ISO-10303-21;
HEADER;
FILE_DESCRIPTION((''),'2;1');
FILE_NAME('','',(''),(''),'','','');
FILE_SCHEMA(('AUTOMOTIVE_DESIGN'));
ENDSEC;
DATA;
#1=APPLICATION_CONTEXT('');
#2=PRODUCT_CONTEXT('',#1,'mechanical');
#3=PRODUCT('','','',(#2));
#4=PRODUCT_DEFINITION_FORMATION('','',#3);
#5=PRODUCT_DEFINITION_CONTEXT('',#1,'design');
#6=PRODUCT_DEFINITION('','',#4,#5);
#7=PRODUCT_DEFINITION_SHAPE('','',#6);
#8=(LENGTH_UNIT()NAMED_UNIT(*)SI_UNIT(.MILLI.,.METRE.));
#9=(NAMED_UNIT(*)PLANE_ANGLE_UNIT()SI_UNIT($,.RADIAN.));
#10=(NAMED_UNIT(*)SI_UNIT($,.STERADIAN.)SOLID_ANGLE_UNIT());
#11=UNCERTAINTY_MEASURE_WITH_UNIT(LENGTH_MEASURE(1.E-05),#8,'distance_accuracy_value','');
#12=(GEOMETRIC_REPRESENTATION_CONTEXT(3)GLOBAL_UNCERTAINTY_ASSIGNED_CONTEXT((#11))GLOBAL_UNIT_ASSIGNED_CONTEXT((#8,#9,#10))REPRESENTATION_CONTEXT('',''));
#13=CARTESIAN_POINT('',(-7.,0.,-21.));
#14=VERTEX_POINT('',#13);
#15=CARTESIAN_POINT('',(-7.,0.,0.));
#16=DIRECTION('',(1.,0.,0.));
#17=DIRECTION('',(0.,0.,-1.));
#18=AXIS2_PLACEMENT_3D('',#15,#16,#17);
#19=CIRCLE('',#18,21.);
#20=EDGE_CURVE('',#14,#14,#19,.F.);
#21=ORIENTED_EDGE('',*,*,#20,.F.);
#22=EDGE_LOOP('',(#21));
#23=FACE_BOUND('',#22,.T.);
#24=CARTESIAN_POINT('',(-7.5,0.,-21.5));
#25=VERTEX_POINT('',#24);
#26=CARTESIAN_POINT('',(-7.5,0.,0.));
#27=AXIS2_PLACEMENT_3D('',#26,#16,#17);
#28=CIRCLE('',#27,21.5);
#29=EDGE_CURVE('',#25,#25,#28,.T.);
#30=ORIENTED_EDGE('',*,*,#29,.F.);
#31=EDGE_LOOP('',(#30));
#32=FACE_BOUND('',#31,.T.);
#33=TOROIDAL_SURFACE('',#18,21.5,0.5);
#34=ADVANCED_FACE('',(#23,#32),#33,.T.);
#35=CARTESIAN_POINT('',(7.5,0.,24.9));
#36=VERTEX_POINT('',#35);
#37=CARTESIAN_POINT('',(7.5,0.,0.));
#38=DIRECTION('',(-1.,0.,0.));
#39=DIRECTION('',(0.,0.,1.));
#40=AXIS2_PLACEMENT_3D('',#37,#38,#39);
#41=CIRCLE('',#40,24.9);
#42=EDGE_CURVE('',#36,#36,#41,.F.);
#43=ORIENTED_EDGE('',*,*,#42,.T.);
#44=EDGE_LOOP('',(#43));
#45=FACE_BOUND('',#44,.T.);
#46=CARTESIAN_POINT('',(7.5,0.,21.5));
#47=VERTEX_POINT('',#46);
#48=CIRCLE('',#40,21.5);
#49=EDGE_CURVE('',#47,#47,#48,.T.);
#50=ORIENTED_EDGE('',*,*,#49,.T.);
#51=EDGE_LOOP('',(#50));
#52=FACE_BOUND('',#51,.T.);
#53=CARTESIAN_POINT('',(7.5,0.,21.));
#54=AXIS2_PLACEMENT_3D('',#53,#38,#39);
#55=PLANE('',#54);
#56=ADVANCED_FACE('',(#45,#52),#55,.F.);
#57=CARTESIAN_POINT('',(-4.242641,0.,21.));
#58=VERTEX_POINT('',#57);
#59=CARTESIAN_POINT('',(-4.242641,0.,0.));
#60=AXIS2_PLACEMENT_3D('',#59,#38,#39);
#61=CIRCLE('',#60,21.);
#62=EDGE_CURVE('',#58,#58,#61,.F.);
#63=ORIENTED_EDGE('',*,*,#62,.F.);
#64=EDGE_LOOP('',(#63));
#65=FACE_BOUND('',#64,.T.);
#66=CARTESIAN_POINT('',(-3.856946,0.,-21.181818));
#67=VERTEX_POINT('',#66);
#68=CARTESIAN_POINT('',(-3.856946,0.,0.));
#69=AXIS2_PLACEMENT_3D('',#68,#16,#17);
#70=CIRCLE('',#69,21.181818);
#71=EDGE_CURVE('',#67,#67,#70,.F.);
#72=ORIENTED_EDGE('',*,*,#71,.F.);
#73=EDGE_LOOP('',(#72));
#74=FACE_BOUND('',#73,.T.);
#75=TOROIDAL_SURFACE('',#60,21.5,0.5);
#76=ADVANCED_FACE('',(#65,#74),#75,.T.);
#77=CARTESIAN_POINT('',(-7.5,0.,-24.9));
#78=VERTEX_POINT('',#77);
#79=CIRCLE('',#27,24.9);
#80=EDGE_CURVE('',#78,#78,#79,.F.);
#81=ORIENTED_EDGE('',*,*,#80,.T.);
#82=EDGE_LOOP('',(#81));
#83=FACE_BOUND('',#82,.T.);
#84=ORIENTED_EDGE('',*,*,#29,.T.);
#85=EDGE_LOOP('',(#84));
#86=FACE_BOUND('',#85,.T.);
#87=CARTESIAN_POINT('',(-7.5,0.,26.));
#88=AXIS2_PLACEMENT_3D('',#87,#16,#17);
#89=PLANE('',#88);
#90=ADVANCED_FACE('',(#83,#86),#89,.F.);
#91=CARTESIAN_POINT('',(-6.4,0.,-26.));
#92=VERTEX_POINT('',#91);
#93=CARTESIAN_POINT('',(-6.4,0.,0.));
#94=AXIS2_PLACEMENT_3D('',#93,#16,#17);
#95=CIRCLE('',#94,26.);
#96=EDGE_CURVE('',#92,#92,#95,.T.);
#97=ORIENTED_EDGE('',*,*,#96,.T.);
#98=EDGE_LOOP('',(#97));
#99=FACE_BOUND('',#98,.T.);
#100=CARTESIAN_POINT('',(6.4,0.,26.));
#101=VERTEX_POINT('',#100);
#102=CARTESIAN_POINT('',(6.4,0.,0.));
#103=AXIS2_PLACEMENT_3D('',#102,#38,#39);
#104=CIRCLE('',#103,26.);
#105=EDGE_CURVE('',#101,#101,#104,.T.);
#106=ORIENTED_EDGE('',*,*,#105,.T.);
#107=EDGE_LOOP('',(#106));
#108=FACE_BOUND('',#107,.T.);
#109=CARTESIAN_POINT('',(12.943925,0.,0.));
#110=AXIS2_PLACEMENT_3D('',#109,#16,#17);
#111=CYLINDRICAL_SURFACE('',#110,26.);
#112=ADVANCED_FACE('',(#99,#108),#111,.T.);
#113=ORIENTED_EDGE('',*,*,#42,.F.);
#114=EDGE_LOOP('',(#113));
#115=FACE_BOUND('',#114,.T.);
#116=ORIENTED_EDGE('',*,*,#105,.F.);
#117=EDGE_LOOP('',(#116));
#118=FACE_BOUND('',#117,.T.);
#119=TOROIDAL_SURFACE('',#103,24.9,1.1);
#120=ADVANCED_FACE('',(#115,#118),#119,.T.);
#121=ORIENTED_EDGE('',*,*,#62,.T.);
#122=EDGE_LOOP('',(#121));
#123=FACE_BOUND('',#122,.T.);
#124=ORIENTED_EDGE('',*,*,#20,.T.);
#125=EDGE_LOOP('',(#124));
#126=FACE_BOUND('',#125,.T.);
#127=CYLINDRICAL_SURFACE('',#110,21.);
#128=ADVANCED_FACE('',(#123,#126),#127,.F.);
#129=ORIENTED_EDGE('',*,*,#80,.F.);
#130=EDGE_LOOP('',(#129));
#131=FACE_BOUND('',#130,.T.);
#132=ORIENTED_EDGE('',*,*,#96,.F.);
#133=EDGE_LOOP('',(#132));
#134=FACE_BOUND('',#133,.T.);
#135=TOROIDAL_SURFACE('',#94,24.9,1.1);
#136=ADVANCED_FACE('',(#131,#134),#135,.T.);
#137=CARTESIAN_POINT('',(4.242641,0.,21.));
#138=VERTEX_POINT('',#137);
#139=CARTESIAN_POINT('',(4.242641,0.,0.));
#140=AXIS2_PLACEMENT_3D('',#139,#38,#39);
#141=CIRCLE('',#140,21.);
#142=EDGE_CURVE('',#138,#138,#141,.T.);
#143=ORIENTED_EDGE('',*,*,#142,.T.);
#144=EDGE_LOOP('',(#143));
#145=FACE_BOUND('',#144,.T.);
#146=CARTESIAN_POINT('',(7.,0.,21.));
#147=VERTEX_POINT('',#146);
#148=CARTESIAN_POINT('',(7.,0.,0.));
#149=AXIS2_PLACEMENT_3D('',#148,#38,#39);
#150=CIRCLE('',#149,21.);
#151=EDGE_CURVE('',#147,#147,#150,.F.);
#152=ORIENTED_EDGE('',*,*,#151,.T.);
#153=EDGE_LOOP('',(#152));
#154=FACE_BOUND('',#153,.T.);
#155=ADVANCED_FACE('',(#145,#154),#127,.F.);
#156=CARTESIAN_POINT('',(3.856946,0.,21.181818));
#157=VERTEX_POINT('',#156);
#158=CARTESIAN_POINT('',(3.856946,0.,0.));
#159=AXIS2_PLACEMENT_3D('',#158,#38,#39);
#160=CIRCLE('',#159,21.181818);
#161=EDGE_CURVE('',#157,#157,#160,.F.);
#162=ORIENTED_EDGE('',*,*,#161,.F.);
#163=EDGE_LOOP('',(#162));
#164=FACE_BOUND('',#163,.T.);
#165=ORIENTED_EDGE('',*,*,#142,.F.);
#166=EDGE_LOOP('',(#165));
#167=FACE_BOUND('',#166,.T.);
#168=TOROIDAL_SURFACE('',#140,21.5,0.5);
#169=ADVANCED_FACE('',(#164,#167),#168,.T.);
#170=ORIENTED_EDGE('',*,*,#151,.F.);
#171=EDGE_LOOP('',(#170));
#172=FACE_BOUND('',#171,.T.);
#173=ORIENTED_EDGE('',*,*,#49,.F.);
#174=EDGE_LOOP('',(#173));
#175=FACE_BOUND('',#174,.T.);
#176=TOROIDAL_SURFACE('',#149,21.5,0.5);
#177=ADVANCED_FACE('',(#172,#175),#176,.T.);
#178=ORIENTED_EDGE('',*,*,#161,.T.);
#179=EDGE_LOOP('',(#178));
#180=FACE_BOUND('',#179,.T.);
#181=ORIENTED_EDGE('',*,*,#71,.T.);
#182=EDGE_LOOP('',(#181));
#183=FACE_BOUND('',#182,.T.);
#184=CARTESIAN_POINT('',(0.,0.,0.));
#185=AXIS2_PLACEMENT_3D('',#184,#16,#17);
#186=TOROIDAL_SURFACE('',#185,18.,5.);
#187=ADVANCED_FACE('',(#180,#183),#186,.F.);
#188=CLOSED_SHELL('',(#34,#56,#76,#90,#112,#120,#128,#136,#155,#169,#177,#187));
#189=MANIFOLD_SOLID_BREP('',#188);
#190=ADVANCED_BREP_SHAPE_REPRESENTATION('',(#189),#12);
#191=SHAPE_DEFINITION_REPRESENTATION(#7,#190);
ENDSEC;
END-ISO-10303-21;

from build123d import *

# Parameters (mm, degrees)
FILLET1_R = 1.1
FILLET2_R = 0.5


with BuildPart() as part:
    # Sketch1 → Revolve1 (revolve)
    with BuildSketch(Plane(origin=(0, 0, 0), x_dir=(-1, 0, 0), z_dir=(0, 1, 0)), mode=Mode.PRIVATE) as revolve1_sk:
        with BuildLine():
            Line((-7.5, 21), (-7.5, 26))
            Line((-7.5, 26), (7.5, 26))
            Line((7.5, 26), (7.5, 21))
            Line((7.5, 21), (4, 21))
            ThreePointArc((4, 21), (0, 23), (-4, 21))
            Line((-4, 21), (-7.5, 21))
        make_face()
    revolve(revolve1_sk.sketch.rotate(Axis((12.943925234, 0, 0), (-1, 0, 0)), 180), axis=Axis((12.943925234, 0, 0), (-1, 0, 0)))

    # Fillet1
    fillet1_edges = [part.edges().sort_by_distance(p)[0] for p in [
        (7.5, 0, 26),
        (-7.5, 0, 26),
    ]]
    fillet(fillet1_edges, radius=FILLET1_R)

    # Fillet2
    fillet2_edges = [part.edges().sort_by_distance(p)[0] for p in [
        (7.5, 0, 21),
        (-7.5, 0, 21),
        (-4, 0, 21),
        (4, 0, 21),
    ]]
    fillet(fillet2_edges, radius=FILLET2_R)


solid = part.part
